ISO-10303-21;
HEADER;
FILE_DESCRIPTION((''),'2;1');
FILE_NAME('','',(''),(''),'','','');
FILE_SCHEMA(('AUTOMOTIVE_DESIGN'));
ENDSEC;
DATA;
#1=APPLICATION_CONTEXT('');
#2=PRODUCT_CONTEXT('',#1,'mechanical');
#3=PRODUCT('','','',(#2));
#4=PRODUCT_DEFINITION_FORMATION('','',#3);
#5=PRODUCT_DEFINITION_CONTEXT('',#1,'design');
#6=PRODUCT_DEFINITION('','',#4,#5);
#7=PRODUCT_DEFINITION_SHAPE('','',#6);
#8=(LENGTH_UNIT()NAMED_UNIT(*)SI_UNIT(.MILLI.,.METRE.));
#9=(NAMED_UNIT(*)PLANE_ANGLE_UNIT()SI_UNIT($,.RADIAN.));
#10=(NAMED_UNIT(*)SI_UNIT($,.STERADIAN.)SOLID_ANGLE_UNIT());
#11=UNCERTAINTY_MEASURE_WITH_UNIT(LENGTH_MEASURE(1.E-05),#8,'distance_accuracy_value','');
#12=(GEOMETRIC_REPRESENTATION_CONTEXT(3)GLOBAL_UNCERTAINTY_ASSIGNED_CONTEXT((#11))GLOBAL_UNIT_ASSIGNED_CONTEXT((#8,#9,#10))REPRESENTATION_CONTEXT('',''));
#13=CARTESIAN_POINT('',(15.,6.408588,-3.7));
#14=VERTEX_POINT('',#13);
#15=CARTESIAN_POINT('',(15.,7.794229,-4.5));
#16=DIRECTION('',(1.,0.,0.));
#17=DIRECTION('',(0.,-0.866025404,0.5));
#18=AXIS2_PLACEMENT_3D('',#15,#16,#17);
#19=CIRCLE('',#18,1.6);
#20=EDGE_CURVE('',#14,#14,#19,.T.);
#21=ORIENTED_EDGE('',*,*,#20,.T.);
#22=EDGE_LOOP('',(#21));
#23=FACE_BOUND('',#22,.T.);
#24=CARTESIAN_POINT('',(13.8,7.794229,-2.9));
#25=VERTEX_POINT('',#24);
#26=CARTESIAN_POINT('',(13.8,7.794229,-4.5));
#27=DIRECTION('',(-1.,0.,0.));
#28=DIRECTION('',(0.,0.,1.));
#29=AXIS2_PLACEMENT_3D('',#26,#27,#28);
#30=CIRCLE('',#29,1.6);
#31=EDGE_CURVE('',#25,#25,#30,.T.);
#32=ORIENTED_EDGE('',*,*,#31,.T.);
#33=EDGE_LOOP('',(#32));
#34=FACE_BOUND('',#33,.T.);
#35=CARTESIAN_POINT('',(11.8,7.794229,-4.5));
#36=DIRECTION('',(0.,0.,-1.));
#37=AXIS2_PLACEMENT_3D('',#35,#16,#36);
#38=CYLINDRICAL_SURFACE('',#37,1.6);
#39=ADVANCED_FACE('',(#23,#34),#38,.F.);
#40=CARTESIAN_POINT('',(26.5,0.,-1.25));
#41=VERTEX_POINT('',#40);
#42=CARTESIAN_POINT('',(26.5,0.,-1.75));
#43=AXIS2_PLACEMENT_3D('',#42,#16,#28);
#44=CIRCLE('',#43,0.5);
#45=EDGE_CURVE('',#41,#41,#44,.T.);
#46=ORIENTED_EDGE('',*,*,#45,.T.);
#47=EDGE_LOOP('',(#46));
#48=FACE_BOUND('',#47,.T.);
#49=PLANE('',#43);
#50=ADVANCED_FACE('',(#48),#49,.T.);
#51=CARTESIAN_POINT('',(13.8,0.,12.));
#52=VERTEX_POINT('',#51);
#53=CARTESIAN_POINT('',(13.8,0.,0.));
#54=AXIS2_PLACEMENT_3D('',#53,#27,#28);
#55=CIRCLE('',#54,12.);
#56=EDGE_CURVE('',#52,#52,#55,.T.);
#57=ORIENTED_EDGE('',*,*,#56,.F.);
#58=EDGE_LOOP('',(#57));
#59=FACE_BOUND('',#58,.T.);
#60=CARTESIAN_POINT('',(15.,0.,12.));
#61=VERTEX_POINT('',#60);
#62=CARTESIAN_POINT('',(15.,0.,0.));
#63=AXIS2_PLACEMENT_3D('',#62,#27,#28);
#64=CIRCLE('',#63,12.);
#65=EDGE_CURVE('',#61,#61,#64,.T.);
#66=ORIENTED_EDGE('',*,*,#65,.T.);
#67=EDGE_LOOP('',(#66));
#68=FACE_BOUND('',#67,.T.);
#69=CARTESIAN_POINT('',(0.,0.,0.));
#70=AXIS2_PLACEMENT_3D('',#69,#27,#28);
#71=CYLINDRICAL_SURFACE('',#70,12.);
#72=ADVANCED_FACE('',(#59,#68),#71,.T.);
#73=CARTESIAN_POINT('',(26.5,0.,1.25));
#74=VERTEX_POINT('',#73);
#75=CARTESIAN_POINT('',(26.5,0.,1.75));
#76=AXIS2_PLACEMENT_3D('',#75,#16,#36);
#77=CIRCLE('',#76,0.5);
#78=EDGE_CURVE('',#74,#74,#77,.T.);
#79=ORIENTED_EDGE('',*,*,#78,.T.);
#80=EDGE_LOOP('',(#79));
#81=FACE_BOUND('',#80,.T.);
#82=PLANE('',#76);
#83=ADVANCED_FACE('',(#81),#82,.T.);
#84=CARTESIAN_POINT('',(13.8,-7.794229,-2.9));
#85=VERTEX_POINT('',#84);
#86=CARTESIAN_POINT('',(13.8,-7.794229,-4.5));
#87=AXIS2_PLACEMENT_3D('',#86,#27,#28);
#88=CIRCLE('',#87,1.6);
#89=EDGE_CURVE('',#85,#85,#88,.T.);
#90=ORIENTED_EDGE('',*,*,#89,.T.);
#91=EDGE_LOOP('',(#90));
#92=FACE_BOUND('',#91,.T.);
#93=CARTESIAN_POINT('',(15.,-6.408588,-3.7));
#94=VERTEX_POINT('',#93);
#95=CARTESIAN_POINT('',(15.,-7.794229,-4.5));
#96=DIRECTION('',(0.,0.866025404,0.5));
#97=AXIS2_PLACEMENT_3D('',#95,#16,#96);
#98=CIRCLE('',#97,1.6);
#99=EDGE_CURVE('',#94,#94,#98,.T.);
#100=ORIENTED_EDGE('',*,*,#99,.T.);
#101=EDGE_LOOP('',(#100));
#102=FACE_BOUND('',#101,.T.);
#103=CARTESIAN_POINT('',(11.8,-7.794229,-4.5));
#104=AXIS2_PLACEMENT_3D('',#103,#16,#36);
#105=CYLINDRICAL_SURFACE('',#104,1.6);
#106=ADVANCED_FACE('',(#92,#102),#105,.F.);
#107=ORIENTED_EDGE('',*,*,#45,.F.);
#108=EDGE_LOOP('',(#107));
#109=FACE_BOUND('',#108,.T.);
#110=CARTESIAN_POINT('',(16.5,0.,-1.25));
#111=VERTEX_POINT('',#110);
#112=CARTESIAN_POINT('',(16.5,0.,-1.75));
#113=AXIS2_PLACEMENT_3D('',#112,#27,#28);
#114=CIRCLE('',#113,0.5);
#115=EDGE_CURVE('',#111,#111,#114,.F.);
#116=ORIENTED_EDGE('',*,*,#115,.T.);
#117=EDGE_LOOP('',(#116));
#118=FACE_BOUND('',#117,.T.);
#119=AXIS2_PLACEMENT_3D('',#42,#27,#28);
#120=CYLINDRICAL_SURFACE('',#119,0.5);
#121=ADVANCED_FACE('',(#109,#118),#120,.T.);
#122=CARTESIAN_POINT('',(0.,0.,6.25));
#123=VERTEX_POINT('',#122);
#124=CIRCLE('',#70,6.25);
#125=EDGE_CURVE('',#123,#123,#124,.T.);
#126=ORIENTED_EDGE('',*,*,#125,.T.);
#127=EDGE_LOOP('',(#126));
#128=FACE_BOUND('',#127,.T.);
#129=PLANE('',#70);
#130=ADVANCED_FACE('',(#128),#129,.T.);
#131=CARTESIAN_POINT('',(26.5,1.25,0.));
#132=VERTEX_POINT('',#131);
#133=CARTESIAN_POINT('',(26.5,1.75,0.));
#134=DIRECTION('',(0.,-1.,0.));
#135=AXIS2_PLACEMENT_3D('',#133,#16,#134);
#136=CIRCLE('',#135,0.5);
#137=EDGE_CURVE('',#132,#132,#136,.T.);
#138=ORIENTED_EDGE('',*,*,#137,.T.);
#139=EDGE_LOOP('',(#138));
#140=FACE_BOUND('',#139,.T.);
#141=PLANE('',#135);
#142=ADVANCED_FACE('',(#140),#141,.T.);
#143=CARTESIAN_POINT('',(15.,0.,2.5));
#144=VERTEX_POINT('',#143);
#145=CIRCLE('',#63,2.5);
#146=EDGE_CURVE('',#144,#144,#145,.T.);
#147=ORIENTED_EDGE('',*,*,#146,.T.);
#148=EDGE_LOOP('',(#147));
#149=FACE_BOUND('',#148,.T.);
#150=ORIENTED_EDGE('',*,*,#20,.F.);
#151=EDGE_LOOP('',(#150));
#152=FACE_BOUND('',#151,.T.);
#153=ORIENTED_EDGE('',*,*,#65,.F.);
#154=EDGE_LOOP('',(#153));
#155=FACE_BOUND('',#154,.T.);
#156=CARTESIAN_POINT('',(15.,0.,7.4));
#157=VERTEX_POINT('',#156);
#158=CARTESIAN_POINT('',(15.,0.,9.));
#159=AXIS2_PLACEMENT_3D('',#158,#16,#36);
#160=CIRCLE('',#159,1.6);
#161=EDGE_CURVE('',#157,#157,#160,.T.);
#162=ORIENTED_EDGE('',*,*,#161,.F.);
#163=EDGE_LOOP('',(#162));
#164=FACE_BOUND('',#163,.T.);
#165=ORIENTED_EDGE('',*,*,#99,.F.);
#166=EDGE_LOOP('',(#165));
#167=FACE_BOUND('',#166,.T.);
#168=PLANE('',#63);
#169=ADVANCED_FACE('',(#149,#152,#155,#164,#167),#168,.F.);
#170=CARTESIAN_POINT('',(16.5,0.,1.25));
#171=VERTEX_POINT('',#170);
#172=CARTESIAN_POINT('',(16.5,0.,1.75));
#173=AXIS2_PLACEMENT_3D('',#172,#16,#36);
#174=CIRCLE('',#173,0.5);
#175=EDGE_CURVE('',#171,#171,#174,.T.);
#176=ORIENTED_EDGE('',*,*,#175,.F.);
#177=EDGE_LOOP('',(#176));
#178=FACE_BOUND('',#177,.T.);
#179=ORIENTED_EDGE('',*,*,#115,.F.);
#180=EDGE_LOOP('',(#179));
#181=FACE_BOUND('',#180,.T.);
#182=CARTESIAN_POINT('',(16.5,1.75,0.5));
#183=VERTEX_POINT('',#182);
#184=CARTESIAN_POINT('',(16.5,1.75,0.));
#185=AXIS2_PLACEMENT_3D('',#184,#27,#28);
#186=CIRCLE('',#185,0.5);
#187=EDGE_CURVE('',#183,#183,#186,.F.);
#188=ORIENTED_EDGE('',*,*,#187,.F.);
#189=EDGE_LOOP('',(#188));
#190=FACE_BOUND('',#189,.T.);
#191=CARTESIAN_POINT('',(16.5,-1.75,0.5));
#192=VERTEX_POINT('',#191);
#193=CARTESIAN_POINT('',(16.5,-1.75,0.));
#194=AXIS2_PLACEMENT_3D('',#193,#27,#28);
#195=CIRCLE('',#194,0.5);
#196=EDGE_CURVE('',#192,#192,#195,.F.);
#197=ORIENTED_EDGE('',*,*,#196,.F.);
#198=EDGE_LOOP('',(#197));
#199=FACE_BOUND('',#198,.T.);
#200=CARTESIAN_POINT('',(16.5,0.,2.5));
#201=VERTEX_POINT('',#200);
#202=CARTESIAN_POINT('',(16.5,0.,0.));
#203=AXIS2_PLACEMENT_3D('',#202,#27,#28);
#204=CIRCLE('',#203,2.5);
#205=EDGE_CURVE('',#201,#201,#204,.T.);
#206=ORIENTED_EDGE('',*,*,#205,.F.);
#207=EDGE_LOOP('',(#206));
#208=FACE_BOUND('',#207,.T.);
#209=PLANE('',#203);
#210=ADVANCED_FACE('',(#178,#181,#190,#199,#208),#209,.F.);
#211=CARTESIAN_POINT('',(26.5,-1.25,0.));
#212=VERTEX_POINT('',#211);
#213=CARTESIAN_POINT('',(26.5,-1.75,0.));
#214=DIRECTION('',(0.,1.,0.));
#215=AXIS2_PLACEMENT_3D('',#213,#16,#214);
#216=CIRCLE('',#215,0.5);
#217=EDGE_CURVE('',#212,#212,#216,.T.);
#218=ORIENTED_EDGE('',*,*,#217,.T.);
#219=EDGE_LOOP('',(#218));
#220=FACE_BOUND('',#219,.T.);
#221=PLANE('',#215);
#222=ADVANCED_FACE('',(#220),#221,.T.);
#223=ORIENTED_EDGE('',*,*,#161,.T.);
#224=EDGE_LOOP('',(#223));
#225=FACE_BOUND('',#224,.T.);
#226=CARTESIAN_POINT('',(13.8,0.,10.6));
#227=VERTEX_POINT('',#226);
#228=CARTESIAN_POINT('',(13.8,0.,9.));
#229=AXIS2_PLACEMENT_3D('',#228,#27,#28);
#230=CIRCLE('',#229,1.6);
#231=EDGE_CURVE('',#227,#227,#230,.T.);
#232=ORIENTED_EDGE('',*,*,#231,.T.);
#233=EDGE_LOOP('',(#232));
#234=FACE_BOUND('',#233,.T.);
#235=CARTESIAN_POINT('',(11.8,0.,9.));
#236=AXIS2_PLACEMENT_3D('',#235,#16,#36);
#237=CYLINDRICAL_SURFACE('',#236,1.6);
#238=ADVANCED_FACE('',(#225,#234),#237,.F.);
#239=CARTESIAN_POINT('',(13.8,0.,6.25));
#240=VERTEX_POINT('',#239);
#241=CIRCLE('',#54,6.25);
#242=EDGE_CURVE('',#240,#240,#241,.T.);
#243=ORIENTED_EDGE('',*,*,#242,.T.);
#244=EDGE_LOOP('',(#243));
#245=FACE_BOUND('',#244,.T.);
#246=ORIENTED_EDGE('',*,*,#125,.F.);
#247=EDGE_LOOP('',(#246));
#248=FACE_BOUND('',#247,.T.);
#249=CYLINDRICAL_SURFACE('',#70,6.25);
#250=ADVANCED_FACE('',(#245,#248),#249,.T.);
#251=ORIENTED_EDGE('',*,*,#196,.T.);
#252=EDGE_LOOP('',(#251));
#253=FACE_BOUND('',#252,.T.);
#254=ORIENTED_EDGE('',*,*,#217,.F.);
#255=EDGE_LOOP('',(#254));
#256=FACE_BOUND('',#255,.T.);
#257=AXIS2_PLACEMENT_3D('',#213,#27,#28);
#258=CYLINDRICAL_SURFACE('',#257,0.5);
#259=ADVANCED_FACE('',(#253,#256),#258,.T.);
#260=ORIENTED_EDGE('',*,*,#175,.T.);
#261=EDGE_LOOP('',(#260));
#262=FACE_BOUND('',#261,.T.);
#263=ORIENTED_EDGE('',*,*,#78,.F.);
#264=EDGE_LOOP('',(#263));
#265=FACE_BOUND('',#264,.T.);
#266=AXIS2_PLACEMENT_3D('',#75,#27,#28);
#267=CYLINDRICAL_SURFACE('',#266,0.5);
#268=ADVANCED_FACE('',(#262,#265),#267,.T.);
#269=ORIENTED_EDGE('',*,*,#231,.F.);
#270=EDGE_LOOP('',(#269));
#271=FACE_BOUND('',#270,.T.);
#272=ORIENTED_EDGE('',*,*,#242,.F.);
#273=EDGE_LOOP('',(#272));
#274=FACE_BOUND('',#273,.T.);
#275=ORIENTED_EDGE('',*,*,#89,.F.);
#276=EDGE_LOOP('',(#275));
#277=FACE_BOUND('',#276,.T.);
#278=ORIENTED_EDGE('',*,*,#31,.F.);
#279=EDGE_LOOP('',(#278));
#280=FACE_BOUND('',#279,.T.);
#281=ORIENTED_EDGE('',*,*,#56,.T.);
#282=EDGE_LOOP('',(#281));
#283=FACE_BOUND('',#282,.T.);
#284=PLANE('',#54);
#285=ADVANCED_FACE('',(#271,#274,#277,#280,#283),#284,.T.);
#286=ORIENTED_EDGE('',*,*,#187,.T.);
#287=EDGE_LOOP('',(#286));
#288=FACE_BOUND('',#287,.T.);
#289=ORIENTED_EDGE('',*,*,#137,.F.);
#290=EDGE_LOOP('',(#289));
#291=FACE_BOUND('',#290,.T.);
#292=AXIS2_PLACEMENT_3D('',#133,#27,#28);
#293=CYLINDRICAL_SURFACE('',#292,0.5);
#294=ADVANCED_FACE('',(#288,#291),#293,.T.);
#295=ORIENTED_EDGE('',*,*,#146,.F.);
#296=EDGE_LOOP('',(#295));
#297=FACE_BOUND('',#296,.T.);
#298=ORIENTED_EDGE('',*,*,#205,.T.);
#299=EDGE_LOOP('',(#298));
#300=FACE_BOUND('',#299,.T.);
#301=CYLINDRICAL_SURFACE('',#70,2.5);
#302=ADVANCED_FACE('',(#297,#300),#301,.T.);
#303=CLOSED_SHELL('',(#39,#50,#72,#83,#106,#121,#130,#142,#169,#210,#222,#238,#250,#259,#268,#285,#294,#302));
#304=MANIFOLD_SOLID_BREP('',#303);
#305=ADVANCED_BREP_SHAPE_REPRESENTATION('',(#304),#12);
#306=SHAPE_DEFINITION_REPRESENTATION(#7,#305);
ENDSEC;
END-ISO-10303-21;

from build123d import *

# Parameters (mm, degrees)
CROQUIS1_W              = 13.8
CROQUIS1_H              = 6.25
CROQUIS1_W_2            = 1.5
CROQUIS1_H_2            = 2.5
CROQUIS2_R              = 1.6
CORTAR_EXTRUIR1_DEPTH   = 3.2
MATRIZC1_COUNT          = 3
CROQUIS3_R              = 0.5
SALIENTE_EXTRUIR1_DEPTH = 10
MATRIZC2_COUNT          = 4


with BuildPart() as part:
    # Croquis1 → Revolución1 (revolve)
    with BuildSketch(Plane(origin=(0, 0, 0), x_dir=(-1, 0, 0), z_dir=(0, 1, 0))):
        with Locations((-6.9, 3.125)):
            Rectangle(CROQUIS1_W, CROQUIS1_H)
        Polygon((-15, 0), (-13.8, 0), (-13.8, 6.25), (-13.8, 12), (-15, 12), (-15, 2.5), align=None)
        with Locations((-15.75, 1.25)):
            Rectangle(CROQUIS1_W_2, CROQUIS1_H_2)
    revolve(axis=Axis((0, 0, 0), (1, 0, 0)))

    # Croquis2 → Cortar-Extruir1 (cut)
    with BuildSketch(Plane.YZ.offset(15)):
        with Locations(Location((0, 9, 0), (0, 0, 270))):
            Circle(CROQUIS2_R)
    cortar_extruir1 = extrude(amount=-CORTAR_EXTRUIR1_DEPTH, mode=Mode.SUBTRACT)

    # MatrizC1: Cortar-Extruir1 ×3 about axis
    matrizc1_axis = Axis((0, 0, 0), (1, 0, 0))
    for i in range(1, MATRIZC1_COUNT):
        add(cortar_extruir1.rotate(matrizc1_axis, i * 360 / MATRIZC1_COUNT), mode=Mode.SUBTRACT)

    # Croquis3 → Saliente-Extruir1 (add)
    with BuildSketch(Plane.YZ.offset(16.5)):
        with Locations(Location((0, 1.75, 0), (0, 0, 270))):
            Circle(CROQUIS3_R)
    saliente_extruir1 = extrude(amount=SALIENTE_EXTRUIR1_DEPTH)

    # MatrizC2: Saliente-Extruir1 ×4 about axis
    matrizc2_axis = Axis((0, 0, 0), (1, 0, 0))
    for i in range(1, MATRIZC2_COUNT):
        add(saliente_extruir1.rotate(matrizc2_axis, i * 360 / MATRIZC2_COUNT))


solid = part.part
